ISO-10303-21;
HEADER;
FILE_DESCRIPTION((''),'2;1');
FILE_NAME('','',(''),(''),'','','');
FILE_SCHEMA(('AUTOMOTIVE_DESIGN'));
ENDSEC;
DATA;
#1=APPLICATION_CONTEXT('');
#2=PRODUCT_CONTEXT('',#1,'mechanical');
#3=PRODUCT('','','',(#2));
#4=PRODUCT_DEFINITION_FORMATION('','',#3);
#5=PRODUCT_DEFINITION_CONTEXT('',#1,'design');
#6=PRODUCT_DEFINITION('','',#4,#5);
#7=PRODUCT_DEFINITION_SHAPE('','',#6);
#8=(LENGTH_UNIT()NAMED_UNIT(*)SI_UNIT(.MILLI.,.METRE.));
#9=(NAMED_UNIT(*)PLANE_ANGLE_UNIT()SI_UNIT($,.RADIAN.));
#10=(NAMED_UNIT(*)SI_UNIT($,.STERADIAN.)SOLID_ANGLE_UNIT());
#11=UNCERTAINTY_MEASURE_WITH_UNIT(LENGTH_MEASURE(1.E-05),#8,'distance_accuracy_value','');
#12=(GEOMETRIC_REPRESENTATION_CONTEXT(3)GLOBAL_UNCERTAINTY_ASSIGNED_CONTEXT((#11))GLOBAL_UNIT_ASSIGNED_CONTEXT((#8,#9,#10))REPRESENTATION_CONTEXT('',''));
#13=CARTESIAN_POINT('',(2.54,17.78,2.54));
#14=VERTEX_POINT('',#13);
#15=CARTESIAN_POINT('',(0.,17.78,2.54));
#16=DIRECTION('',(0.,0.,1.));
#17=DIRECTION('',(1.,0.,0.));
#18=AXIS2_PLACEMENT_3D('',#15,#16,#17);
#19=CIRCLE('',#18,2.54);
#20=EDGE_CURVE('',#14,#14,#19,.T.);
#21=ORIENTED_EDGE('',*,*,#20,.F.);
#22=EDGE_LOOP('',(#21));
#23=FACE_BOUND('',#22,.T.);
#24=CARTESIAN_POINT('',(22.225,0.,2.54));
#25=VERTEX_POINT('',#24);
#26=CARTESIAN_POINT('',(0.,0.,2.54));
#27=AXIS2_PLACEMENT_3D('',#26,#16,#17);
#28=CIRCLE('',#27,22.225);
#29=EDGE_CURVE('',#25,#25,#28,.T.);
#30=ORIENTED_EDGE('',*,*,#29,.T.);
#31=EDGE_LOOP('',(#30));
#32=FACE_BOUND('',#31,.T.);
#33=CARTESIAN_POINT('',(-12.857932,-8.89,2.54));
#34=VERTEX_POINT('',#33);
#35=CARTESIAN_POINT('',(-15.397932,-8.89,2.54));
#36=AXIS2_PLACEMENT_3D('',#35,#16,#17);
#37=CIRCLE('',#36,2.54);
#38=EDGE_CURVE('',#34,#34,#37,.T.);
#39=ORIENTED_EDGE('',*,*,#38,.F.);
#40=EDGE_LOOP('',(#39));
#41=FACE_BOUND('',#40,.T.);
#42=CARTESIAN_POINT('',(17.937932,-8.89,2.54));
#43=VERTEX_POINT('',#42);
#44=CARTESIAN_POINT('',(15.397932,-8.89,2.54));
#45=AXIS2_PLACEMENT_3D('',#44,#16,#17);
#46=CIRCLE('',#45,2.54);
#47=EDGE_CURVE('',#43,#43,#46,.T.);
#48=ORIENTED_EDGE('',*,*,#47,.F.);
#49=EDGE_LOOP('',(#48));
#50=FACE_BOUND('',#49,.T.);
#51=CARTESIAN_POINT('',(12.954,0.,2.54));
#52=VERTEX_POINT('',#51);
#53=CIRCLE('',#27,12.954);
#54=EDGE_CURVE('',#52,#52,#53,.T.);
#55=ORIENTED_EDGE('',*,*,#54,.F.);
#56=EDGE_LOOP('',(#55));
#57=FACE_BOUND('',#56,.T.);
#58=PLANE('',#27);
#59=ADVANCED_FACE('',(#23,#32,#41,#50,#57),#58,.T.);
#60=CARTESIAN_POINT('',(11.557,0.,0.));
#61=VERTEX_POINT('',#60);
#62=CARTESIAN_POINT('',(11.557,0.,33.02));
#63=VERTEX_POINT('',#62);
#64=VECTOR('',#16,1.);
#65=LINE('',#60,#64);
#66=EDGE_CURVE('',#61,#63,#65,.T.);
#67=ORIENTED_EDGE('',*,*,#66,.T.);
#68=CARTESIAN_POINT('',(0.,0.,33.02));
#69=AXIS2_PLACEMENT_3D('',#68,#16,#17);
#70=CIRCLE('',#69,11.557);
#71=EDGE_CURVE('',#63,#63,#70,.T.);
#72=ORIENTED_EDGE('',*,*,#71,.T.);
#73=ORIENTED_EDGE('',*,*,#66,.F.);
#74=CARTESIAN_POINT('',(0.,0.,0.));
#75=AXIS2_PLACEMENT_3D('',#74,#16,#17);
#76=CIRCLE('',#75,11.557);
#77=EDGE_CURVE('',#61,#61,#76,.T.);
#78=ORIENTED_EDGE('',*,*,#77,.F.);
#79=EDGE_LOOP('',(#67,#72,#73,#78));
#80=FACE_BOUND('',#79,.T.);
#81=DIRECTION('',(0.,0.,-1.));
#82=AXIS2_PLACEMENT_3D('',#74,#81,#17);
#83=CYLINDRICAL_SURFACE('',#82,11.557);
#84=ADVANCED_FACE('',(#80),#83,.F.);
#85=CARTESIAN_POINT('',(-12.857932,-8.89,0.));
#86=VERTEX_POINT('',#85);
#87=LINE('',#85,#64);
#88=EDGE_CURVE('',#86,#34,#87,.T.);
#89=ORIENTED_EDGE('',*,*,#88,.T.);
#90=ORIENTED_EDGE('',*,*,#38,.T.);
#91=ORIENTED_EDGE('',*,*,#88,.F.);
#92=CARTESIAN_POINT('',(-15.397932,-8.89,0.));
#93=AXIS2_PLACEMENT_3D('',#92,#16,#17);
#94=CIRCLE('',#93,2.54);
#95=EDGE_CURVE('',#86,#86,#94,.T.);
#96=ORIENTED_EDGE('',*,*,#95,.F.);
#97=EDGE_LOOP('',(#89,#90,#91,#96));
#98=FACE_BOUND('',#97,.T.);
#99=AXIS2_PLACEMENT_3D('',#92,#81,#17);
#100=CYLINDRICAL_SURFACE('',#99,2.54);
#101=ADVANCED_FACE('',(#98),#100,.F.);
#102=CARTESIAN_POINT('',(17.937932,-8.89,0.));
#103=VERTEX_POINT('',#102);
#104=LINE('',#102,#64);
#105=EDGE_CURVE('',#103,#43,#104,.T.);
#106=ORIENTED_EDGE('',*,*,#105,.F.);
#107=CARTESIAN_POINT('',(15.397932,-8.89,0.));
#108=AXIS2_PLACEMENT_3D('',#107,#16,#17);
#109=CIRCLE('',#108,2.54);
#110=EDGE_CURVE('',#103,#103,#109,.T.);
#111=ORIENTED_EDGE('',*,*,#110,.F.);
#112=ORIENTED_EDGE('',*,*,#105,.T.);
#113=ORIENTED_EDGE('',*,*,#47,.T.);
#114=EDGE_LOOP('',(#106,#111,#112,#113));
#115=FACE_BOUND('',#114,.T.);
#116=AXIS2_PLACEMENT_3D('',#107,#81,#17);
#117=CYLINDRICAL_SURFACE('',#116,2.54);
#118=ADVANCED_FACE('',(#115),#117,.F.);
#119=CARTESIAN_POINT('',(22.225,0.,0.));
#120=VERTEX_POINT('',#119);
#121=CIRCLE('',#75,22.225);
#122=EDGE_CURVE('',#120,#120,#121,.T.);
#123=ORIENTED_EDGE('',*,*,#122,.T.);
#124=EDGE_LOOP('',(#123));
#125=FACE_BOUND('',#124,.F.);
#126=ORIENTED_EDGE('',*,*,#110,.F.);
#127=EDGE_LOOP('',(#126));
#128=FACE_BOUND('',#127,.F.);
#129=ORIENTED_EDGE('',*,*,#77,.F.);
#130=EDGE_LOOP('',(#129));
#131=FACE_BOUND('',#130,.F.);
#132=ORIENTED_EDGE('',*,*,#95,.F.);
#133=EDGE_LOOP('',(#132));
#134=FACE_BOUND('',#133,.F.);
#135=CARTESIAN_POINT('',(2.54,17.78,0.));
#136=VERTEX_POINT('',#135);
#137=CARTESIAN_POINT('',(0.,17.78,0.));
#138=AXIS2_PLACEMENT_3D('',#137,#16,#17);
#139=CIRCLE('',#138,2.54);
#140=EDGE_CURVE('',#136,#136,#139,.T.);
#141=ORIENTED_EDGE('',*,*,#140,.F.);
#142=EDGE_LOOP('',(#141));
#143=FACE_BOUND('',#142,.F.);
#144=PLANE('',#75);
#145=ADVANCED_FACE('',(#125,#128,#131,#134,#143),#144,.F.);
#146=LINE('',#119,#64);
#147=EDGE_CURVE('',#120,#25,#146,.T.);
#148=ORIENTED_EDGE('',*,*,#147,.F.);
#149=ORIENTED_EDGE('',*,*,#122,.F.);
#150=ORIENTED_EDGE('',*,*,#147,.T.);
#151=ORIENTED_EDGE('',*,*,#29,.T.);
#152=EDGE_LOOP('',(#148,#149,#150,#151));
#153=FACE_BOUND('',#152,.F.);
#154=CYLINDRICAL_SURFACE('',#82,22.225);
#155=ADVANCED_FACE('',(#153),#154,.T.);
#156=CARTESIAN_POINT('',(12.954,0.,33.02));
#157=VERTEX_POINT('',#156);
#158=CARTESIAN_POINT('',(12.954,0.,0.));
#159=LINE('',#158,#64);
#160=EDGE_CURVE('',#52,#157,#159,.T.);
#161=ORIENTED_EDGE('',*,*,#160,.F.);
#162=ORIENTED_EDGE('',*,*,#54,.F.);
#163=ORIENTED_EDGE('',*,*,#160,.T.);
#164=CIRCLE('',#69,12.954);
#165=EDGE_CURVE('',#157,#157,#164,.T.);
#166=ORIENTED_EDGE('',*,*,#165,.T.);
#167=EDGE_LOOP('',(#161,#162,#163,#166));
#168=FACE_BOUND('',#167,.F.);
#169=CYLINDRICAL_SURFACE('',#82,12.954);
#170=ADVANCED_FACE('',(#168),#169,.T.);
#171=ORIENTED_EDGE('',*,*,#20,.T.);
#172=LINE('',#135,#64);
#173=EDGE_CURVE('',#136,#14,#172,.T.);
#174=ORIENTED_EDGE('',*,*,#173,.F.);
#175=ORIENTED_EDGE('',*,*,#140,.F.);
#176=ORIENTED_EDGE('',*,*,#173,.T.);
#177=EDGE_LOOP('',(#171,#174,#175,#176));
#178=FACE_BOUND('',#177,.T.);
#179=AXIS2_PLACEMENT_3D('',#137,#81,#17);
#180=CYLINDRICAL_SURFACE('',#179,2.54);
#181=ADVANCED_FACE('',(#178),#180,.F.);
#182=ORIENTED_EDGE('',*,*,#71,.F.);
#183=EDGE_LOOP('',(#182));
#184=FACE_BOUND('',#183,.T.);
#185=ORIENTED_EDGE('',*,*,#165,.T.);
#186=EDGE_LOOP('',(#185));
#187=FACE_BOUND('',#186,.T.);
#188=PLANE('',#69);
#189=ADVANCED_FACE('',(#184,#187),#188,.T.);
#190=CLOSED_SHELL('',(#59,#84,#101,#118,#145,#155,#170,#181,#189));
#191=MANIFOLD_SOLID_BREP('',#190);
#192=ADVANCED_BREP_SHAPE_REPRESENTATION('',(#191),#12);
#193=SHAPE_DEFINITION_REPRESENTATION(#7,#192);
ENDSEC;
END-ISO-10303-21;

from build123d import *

# Parameters (mm, degrees)
F0_R     = 12.954
F0_R_2   = 11.557
F1_DEPTH = 33.02
F0_R_3   = 22.225
F0_R_4   = 2.54
F2_DEPTH = 2.54


with BuildPart() as f1:
    # F0 (on Top) → F1 (new body)
    with BuildSketch(Plane.XY):
        Circle(F0_R)
        Circle(F0_R_2, mode=Mode.SUBTRACT)
    extrude(amount=F1_DEPTH)

    # F0 (on Top) → F2 (join)
    with BuildSketch(Plane.XY):
        Circle(F0_R_3)
        with Locations((-15.397932, -8.89)):
            Circle(F0_R_4, mode=Mode.SUBTRACT)
        with Locations((15.397932, -8.89)):
            Circle(F0_R_4, mode=Mode.SUBTRACT)
        Circle(F0_R, mode=Mode.SUBTRACT)
        with Locations((0, 17.78)):
            Circle(F0_R_4, mode=Mode.SUBTRACT)
    extrude(amount=F2_DEPTH)


solid = f1.part
